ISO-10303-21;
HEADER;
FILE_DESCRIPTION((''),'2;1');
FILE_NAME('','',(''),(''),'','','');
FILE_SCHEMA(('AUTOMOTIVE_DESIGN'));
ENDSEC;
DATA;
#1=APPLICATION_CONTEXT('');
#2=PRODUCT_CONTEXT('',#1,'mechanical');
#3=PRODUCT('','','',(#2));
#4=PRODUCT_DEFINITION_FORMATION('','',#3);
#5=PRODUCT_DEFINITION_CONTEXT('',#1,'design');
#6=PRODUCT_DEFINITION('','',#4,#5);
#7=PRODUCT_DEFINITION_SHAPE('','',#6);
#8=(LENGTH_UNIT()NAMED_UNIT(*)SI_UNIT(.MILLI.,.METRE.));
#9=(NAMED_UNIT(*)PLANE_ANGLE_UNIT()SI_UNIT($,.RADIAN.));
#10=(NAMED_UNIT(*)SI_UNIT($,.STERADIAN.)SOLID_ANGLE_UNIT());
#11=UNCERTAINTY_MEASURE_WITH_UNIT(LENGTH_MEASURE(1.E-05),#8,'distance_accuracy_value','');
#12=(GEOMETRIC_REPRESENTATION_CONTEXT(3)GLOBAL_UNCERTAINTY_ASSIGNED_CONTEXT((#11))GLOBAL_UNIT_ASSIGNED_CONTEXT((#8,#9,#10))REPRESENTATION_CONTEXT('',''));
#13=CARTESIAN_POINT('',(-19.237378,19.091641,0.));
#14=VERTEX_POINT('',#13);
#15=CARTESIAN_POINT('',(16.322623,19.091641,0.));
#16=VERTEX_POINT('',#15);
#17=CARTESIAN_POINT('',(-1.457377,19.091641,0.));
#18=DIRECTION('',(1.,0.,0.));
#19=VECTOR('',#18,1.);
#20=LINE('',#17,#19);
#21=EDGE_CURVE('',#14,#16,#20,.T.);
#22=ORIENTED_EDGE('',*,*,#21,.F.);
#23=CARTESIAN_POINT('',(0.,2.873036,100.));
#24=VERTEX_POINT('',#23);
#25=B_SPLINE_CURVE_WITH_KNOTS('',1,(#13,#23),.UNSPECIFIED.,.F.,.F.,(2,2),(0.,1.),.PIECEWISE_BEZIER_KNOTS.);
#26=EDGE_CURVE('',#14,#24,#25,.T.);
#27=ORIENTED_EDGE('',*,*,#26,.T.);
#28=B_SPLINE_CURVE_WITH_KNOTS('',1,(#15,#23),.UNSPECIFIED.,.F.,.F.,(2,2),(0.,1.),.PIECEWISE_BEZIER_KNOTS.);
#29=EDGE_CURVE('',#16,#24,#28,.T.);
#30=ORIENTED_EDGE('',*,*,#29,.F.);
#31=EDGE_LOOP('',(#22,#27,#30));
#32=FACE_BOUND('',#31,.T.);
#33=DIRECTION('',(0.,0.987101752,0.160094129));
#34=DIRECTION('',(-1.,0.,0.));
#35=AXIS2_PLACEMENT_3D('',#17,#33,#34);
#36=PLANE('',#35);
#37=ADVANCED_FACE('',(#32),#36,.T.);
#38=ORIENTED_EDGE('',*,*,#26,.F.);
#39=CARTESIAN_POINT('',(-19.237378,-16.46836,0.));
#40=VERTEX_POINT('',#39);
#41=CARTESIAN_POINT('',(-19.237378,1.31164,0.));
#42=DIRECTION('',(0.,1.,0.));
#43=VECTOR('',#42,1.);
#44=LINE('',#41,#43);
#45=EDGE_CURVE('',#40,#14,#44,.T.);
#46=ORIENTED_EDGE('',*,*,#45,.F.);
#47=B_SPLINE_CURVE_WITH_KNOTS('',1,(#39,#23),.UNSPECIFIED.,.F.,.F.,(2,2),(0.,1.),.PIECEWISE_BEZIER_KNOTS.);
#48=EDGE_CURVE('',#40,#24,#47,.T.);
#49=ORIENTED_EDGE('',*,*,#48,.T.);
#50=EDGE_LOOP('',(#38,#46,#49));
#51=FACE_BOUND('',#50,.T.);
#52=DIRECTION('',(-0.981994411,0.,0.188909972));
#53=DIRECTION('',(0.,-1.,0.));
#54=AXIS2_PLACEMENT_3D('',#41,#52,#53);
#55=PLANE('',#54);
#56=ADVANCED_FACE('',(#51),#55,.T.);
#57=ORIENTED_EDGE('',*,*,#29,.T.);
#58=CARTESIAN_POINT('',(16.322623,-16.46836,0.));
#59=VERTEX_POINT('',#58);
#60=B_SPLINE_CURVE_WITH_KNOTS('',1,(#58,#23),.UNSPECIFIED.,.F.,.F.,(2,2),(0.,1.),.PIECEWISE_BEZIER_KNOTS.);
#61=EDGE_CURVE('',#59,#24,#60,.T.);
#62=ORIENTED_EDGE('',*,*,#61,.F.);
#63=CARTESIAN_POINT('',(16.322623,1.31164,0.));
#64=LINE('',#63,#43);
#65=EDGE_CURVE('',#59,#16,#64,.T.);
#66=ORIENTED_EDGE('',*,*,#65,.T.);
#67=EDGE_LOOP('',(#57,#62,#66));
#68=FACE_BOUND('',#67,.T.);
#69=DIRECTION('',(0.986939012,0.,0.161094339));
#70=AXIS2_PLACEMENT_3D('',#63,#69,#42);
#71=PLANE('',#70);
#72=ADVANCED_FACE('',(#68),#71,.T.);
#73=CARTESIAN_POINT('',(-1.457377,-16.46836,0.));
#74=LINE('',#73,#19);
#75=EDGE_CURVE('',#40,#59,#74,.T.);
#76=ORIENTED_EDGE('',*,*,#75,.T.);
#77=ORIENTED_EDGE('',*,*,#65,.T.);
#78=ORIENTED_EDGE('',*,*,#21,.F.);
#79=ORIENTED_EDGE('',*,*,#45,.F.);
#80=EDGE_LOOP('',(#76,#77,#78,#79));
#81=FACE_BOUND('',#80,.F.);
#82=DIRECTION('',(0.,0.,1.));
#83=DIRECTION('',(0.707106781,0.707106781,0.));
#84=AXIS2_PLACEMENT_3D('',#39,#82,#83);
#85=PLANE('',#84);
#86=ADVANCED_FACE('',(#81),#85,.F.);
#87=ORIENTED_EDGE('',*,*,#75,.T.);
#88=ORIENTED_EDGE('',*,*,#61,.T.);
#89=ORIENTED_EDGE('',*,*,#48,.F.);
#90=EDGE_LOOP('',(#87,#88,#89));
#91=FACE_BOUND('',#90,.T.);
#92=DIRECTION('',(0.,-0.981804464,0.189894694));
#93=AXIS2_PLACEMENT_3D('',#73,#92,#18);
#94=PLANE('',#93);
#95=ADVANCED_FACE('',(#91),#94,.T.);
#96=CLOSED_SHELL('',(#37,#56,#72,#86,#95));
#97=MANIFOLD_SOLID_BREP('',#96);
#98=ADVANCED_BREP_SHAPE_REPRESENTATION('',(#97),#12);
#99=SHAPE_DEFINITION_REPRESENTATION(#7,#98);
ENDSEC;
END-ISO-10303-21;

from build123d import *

# Parameters (mm, degrees)
F0_W = 35.560001
F0_H = 35.560001


with BuildPart() as f3:
    # F0 (on Top) → F3 section 0
    with BuildSketch(Plane.XY, mode=Mode.PRIVATE) as f3_s0:
        with Locations((-1.457377, 1.31164)):
            Rectangle(F0_W, F0_H)
    loft([f3_s0.sketch, Vertex(0, 2.873036, 100)])


solid = f3.part
